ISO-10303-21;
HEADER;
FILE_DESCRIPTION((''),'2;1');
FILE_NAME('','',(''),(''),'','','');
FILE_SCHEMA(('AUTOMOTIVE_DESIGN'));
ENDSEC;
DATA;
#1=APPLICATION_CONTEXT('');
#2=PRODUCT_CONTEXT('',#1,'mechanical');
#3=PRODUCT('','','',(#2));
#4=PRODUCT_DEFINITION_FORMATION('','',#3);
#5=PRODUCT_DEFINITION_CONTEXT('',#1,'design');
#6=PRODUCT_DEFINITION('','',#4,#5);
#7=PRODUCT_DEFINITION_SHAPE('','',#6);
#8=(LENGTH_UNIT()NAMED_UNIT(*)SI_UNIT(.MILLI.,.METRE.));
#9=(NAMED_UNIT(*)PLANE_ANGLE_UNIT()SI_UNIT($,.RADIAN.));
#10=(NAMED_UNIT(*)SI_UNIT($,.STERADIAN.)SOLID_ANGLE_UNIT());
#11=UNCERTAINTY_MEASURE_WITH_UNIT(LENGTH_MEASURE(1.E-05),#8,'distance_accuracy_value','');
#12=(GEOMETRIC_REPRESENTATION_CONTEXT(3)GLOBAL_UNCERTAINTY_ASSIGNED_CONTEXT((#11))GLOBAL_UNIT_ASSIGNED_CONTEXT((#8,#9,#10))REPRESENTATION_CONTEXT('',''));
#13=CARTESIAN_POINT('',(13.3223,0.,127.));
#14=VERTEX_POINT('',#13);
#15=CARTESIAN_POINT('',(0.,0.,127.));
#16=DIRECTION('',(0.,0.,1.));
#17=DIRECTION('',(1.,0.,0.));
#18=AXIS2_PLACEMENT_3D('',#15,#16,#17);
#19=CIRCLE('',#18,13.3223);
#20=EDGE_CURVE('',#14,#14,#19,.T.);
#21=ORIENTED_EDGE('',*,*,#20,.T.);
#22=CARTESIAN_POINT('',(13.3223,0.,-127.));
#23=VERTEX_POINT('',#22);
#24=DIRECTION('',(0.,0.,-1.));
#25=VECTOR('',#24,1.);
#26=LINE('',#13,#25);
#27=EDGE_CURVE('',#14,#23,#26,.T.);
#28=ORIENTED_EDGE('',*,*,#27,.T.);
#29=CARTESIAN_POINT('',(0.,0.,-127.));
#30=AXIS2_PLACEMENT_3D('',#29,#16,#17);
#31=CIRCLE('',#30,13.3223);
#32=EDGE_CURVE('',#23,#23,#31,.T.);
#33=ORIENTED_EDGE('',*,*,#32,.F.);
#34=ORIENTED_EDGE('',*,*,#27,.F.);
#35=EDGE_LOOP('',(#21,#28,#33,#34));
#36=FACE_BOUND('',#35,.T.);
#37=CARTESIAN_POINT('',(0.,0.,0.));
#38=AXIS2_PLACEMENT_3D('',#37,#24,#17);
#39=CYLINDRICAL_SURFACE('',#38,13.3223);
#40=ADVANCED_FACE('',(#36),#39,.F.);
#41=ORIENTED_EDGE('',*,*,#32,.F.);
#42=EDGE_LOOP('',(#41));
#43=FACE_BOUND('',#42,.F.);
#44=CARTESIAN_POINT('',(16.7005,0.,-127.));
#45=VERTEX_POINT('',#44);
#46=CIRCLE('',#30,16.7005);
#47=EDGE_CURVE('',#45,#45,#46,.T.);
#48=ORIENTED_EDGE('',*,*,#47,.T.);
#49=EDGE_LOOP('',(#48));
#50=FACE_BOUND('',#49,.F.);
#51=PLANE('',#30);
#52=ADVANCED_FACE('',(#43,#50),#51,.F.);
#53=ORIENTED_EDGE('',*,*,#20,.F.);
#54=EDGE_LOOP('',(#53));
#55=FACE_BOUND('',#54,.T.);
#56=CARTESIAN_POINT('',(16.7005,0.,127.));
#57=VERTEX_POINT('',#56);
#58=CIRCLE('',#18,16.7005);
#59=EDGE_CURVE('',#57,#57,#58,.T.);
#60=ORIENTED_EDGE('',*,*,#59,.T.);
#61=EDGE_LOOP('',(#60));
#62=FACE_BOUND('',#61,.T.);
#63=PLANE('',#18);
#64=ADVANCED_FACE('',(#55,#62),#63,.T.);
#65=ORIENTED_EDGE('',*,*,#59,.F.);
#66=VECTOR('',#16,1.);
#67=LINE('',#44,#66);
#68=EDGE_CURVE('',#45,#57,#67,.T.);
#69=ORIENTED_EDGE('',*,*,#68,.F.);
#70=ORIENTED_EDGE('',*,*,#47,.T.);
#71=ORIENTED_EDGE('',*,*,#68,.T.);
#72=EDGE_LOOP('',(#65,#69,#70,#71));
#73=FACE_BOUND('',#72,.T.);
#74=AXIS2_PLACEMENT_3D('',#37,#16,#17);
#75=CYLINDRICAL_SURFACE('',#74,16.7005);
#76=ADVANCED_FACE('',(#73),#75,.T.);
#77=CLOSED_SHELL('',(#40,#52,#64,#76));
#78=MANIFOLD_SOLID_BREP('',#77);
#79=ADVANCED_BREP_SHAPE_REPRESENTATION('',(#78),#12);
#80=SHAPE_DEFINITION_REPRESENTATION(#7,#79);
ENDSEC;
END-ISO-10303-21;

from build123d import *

# Parameters (mm, degrees)
SKETCH1_R           = 16.7005
SKETCH1_R_2         = 13.3223
EXTRUDE_THIN1_DEPTH = 127


with BuildPart() as part:
    # Sketch1 → Extrude-Thin1 (new body, symmetric)
    with BuildSketch(Plane.XY):
        Circle(SKETCH1_R)
        Circle(SKETCH1_R_2, mode=Mode.SUBTRACT)
    extrude(amount=EXTRUDE_THIN1_DEPTH, both=True)


solid = part.part
